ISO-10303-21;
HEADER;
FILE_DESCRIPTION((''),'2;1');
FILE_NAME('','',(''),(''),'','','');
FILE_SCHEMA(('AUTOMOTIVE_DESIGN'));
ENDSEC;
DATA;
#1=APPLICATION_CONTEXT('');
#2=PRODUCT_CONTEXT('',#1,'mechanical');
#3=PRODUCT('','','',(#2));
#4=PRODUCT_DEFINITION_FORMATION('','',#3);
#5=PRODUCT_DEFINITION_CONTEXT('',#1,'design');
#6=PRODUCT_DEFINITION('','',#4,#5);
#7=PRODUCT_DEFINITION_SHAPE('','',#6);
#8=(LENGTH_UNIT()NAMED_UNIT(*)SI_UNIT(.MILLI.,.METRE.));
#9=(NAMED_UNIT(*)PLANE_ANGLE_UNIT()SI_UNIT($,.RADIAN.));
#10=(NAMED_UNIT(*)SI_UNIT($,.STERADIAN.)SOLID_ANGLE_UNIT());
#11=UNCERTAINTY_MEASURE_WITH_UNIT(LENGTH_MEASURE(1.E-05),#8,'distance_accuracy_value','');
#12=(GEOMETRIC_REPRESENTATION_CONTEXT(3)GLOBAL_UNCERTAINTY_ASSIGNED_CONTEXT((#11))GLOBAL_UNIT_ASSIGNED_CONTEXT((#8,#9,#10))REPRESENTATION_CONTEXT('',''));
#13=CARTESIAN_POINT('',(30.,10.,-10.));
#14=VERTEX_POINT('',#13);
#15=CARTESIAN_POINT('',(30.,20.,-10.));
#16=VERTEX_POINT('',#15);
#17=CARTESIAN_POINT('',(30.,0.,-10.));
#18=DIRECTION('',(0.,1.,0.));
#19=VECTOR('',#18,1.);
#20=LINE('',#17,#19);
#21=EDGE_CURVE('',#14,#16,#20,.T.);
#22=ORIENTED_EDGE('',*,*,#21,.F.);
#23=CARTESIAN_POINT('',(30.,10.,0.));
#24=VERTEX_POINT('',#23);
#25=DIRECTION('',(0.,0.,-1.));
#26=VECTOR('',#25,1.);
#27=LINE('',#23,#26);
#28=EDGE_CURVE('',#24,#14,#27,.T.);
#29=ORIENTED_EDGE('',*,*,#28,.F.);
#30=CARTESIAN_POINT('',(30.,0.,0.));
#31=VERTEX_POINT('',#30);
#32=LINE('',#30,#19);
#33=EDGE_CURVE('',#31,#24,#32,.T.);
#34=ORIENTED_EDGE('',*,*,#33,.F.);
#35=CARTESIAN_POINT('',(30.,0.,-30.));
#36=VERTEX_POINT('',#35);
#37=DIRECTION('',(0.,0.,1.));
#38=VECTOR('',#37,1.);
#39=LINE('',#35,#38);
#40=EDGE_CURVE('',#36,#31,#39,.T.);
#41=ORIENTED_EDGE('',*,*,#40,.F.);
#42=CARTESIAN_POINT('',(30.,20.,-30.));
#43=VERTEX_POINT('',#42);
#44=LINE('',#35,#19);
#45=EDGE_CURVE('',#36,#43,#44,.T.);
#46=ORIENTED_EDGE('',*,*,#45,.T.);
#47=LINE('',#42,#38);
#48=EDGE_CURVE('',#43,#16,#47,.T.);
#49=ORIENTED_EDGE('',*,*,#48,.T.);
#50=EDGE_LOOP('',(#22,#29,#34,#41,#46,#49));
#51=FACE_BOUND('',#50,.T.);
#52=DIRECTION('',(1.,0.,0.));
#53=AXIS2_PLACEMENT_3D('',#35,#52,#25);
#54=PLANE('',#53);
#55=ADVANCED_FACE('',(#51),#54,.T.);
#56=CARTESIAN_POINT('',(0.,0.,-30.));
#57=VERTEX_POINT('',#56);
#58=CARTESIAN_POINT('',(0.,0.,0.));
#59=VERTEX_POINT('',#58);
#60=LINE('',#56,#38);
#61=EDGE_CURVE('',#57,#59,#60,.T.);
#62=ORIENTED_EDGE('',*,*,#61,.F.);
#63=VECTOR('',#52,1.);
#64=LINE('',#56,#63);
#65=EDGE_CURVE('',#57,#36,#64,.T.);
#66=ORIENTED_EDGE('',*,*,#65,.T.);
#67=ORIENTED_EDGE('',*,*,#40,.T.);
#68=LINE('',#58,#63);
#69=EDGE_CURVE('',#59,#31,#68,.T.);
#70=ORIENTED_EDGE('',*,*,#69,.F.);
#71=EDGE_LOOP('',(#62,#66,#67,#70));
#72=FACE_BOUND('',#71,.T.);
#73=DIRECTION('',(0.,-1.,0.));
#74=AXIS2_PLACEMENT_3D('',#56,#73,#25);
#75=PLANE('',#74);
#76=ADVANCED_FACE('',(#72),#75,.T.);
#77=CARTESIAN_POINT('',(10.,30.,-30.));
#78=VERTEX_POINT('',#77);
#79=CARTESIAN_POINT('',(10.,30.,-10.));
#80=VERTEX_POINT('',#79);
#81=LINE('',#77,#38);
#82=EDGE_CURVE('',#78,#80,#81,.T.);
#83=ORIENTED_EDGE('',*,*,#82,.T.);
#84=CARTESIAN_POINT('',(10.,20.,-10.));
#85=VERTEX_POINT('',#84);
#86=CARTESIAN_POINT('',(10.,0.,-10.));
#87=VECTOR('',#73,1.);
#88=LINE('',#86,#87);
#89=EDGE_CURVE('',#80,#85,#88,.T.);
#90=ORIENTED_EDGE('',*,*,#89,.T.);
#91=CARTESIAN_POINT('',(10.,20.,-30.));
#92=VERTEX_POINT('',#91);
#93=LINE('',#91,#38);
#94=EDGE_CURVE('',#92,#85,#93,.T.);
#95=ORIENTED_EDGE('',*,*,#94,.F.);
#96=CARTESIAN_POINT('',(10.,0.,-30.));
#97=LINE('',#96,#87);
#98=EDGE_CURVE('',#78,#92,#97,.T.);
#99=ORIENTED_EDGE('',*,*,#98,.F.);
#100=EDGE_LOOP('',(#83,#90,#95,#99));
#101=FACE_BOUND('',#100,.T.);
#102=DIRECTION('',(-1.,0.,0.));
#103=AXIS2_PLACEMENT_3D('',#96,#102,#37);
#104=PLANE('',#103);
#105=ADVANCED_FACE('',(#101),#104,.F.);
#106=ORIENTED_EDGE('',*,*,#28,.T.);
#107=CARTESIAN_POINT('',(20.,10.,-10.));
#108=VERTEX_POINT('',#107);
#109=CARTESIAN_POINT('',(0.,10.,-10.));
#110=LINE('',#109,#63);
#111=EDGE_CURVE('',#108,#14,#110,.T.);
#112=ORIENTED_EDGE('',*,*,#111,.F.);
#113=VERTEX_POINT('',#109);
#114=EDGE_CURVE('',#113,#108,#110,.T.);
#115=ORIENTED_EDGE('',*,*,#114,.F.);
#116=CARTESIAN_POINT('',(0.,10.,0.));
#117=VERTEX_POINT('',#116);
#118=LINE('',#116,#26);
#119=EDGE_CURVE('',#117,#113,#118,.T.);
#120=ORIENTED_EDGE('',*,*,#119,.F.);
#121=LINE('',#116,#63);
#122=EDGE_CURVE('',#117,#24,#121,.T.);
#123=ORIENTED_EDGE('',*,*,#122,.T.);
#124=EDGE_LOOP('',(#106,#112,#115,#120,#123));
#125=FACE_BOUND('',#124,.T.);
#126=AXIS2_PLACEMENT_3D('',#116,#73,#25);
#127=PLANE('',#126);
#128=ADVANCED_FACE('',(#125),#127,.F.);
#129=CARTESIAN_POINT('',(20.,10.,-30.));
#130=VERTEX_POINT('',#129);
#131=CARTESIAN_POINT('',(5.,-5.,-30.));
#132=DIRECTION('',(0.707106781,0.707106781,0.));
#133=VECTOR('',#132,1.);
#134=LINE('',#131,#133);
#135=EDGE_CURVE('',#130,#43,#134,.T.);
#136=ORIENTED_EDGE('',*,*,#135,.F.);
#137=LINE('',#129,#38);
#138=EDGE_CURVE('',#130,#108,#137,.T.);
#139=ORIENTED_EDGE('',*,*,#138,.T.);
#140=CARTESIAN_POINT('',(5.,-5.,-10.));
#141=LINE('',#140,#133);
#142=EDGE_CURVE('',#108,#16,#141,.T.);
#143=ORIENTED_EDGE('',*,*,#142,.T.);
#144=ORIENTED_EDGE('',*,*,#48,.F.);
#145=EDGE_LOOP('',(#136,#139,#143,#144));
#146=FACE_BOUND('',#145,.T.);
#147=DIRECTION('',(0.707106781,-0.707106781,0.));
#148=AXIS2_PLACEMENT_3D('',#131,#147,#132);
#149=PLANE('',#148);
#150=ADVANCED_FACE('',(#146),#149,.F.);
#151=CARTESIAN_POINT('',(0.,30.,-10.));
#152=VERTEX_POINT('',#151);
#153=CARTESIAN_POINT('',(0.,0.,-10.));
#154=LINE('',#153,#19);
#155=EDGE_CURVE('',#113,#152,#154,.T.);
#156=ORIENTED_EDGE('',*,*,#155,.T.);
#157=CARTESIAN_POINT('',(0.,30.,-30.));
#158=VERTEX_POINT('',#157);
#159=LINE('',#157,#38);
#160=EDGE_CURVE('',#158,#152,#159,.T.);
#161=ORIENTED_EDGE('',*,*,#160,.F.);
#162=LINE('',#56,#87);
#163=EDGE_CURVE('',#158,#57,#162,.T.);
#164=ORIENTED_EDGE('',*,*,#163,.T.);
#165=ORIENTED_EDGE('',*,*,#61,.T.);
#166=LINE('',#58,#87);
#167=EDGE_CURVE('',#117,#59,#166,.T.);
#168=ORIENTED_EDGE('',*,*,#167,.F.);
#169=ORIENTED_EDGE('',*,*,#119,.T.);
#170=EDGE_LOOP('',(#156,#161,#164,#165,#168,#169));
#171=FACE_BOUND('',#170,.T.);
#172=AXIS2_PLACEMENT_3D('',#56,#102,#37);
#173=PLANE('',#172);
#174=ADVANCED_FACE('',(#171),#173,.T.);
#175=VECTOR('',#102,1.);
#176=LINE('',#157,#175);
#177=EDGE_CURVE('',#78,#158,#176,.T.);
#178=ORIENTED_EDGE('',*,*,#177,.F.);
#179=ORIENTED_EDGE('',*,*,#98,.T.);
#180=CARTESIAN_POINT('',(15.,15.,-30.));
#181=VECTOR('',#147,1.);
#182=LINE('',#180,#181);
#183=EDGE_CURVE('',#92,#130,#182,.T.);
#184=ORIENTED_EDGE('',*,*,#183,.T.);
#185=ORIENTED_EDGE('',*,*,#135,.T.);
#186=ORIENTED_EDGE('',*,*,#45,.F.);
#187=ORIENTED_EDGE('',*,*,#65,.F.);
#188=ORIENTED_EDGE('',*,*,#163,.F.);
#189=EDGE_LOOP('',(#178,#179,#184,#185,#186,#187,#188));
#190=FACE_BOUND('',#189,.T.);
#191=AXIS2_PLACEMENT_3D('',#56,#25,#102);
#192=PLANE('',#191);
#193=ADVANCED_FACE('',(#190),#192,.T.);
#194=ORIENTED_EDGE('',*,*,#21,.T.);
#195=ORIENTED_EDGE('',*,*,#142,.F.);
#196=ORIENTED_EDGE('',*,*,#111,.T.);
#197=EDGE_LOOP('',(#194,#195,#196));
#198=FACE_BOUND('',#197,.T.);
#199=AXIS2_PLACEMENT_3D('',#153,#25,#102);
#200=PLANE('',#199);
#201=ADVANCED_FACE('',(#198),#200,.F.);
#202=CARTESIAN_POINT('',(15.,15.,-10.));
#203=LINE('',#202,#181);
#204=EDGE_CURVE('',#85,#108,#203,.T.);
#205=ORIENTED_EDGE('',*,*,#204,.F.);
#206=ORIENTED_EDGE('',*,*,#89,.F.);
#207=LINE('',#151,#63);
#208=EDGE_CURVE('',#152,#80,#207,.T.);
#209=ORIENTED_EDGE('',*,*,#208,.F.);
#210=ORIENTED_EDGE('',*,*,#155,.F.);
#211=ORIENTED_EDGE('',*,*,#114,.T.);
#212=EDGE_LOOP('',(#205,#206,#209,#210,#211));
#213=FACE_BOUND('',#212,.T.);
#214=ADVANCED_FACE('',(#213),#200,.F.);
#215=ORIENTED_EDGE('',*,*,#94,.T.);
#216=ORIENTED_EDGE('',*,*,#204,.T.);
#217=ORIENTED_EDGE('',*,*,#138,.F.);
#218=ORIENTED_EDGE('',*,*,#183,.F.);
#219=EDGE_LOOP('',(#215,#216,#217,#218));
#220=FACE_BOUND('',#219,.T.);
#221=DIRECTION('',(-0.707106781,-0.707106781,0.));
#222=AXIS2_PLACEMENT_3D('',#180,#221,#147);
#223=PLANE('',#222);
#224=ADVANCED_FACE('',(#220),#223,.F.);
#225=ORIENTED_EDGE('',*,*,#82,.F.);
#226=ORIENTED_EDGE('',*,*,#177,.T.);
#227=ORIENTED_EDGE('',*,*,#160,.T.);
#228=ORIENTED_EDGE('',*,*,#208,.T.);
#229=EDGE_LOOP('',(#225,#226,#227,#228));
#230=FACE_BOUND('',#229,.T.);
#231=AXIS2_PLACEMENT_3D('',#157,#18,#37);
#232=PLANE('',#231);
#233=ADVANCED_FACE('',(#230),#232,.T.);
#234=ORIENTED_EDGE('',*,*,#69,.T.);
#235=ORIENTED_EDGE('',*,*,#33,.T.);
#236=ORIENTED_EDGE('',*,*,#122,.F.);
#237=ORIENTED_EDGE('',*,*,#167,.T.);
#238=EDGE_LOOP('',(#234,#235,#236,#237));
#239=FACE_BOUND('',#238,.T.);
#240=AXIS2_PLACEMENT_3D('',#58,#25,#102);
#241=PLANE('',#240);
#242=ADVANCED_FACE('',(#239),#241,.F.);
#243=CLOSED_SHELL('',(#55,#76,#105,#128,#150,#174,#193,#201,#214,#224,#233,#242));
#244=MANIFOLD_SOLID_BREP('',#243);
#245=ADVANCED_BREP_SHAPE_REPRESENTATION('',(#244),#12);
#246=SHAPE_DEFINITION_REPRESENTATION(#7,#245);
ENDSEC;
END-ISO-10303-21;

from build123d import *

# Parameters (mm, degrees)
SKETCH_1_W           = 30
SKETCH_1_H           = 30
EXTRUDE_1_DEPTH      = 30
SKETCH_28_W          = 20
SKETCH_28_H          = 10
CUT_EXTRUDE_18_DEPTH = 52.961524227
SKETCH_29_W          = 10
SKETCH_29_H          = 10
CUT_EXTRUDE_19_DEPTH = 52.961524227


with BuildPart() as part:
    # 草圖1 → 填料-伸1 (new body)
    with BuildSketch(Plane.XY):
        with Locations((15, 15)):
            Rectangle(SKETCH_1_W, SKETCH_1_H)
    extrude(amount=-EXTRUDE_1_DEPTH)

    # 草圖28 → 除料-伸長18 (cut, through all)
    with BuildSketch(Plane.XY):
        with Locations((20, 25)):
            Rectangle(SKETCH_28_W, SKETCH_28_H)
        Polygon((10, 20), (30, 20), (20, 10), align=None)
    extrude(amount=-CUT_EXTRUDE_18_DEPTH, mode=Mode.SUBTRACT)

    # 草圖29 → 除料-伸長19 (cut, through all)
    with BuildSketch(Plane(origin=(30, 0, 0), x_dir=(0, 0, -1), z_dir=(1, 0, 0))):
        with Locations((5, 25)):
            Rectangle(SKETCH_29_W, SKETCH_29_H)
        with Locations((5, 15)):
            Rectangle(SKETCH_29_W, SKETCH_29_H)
    extrude(amount=-CUT_EXTRUDE_19_DEPTH, mode=Mode.SUBTRACT)


solid = part.part
